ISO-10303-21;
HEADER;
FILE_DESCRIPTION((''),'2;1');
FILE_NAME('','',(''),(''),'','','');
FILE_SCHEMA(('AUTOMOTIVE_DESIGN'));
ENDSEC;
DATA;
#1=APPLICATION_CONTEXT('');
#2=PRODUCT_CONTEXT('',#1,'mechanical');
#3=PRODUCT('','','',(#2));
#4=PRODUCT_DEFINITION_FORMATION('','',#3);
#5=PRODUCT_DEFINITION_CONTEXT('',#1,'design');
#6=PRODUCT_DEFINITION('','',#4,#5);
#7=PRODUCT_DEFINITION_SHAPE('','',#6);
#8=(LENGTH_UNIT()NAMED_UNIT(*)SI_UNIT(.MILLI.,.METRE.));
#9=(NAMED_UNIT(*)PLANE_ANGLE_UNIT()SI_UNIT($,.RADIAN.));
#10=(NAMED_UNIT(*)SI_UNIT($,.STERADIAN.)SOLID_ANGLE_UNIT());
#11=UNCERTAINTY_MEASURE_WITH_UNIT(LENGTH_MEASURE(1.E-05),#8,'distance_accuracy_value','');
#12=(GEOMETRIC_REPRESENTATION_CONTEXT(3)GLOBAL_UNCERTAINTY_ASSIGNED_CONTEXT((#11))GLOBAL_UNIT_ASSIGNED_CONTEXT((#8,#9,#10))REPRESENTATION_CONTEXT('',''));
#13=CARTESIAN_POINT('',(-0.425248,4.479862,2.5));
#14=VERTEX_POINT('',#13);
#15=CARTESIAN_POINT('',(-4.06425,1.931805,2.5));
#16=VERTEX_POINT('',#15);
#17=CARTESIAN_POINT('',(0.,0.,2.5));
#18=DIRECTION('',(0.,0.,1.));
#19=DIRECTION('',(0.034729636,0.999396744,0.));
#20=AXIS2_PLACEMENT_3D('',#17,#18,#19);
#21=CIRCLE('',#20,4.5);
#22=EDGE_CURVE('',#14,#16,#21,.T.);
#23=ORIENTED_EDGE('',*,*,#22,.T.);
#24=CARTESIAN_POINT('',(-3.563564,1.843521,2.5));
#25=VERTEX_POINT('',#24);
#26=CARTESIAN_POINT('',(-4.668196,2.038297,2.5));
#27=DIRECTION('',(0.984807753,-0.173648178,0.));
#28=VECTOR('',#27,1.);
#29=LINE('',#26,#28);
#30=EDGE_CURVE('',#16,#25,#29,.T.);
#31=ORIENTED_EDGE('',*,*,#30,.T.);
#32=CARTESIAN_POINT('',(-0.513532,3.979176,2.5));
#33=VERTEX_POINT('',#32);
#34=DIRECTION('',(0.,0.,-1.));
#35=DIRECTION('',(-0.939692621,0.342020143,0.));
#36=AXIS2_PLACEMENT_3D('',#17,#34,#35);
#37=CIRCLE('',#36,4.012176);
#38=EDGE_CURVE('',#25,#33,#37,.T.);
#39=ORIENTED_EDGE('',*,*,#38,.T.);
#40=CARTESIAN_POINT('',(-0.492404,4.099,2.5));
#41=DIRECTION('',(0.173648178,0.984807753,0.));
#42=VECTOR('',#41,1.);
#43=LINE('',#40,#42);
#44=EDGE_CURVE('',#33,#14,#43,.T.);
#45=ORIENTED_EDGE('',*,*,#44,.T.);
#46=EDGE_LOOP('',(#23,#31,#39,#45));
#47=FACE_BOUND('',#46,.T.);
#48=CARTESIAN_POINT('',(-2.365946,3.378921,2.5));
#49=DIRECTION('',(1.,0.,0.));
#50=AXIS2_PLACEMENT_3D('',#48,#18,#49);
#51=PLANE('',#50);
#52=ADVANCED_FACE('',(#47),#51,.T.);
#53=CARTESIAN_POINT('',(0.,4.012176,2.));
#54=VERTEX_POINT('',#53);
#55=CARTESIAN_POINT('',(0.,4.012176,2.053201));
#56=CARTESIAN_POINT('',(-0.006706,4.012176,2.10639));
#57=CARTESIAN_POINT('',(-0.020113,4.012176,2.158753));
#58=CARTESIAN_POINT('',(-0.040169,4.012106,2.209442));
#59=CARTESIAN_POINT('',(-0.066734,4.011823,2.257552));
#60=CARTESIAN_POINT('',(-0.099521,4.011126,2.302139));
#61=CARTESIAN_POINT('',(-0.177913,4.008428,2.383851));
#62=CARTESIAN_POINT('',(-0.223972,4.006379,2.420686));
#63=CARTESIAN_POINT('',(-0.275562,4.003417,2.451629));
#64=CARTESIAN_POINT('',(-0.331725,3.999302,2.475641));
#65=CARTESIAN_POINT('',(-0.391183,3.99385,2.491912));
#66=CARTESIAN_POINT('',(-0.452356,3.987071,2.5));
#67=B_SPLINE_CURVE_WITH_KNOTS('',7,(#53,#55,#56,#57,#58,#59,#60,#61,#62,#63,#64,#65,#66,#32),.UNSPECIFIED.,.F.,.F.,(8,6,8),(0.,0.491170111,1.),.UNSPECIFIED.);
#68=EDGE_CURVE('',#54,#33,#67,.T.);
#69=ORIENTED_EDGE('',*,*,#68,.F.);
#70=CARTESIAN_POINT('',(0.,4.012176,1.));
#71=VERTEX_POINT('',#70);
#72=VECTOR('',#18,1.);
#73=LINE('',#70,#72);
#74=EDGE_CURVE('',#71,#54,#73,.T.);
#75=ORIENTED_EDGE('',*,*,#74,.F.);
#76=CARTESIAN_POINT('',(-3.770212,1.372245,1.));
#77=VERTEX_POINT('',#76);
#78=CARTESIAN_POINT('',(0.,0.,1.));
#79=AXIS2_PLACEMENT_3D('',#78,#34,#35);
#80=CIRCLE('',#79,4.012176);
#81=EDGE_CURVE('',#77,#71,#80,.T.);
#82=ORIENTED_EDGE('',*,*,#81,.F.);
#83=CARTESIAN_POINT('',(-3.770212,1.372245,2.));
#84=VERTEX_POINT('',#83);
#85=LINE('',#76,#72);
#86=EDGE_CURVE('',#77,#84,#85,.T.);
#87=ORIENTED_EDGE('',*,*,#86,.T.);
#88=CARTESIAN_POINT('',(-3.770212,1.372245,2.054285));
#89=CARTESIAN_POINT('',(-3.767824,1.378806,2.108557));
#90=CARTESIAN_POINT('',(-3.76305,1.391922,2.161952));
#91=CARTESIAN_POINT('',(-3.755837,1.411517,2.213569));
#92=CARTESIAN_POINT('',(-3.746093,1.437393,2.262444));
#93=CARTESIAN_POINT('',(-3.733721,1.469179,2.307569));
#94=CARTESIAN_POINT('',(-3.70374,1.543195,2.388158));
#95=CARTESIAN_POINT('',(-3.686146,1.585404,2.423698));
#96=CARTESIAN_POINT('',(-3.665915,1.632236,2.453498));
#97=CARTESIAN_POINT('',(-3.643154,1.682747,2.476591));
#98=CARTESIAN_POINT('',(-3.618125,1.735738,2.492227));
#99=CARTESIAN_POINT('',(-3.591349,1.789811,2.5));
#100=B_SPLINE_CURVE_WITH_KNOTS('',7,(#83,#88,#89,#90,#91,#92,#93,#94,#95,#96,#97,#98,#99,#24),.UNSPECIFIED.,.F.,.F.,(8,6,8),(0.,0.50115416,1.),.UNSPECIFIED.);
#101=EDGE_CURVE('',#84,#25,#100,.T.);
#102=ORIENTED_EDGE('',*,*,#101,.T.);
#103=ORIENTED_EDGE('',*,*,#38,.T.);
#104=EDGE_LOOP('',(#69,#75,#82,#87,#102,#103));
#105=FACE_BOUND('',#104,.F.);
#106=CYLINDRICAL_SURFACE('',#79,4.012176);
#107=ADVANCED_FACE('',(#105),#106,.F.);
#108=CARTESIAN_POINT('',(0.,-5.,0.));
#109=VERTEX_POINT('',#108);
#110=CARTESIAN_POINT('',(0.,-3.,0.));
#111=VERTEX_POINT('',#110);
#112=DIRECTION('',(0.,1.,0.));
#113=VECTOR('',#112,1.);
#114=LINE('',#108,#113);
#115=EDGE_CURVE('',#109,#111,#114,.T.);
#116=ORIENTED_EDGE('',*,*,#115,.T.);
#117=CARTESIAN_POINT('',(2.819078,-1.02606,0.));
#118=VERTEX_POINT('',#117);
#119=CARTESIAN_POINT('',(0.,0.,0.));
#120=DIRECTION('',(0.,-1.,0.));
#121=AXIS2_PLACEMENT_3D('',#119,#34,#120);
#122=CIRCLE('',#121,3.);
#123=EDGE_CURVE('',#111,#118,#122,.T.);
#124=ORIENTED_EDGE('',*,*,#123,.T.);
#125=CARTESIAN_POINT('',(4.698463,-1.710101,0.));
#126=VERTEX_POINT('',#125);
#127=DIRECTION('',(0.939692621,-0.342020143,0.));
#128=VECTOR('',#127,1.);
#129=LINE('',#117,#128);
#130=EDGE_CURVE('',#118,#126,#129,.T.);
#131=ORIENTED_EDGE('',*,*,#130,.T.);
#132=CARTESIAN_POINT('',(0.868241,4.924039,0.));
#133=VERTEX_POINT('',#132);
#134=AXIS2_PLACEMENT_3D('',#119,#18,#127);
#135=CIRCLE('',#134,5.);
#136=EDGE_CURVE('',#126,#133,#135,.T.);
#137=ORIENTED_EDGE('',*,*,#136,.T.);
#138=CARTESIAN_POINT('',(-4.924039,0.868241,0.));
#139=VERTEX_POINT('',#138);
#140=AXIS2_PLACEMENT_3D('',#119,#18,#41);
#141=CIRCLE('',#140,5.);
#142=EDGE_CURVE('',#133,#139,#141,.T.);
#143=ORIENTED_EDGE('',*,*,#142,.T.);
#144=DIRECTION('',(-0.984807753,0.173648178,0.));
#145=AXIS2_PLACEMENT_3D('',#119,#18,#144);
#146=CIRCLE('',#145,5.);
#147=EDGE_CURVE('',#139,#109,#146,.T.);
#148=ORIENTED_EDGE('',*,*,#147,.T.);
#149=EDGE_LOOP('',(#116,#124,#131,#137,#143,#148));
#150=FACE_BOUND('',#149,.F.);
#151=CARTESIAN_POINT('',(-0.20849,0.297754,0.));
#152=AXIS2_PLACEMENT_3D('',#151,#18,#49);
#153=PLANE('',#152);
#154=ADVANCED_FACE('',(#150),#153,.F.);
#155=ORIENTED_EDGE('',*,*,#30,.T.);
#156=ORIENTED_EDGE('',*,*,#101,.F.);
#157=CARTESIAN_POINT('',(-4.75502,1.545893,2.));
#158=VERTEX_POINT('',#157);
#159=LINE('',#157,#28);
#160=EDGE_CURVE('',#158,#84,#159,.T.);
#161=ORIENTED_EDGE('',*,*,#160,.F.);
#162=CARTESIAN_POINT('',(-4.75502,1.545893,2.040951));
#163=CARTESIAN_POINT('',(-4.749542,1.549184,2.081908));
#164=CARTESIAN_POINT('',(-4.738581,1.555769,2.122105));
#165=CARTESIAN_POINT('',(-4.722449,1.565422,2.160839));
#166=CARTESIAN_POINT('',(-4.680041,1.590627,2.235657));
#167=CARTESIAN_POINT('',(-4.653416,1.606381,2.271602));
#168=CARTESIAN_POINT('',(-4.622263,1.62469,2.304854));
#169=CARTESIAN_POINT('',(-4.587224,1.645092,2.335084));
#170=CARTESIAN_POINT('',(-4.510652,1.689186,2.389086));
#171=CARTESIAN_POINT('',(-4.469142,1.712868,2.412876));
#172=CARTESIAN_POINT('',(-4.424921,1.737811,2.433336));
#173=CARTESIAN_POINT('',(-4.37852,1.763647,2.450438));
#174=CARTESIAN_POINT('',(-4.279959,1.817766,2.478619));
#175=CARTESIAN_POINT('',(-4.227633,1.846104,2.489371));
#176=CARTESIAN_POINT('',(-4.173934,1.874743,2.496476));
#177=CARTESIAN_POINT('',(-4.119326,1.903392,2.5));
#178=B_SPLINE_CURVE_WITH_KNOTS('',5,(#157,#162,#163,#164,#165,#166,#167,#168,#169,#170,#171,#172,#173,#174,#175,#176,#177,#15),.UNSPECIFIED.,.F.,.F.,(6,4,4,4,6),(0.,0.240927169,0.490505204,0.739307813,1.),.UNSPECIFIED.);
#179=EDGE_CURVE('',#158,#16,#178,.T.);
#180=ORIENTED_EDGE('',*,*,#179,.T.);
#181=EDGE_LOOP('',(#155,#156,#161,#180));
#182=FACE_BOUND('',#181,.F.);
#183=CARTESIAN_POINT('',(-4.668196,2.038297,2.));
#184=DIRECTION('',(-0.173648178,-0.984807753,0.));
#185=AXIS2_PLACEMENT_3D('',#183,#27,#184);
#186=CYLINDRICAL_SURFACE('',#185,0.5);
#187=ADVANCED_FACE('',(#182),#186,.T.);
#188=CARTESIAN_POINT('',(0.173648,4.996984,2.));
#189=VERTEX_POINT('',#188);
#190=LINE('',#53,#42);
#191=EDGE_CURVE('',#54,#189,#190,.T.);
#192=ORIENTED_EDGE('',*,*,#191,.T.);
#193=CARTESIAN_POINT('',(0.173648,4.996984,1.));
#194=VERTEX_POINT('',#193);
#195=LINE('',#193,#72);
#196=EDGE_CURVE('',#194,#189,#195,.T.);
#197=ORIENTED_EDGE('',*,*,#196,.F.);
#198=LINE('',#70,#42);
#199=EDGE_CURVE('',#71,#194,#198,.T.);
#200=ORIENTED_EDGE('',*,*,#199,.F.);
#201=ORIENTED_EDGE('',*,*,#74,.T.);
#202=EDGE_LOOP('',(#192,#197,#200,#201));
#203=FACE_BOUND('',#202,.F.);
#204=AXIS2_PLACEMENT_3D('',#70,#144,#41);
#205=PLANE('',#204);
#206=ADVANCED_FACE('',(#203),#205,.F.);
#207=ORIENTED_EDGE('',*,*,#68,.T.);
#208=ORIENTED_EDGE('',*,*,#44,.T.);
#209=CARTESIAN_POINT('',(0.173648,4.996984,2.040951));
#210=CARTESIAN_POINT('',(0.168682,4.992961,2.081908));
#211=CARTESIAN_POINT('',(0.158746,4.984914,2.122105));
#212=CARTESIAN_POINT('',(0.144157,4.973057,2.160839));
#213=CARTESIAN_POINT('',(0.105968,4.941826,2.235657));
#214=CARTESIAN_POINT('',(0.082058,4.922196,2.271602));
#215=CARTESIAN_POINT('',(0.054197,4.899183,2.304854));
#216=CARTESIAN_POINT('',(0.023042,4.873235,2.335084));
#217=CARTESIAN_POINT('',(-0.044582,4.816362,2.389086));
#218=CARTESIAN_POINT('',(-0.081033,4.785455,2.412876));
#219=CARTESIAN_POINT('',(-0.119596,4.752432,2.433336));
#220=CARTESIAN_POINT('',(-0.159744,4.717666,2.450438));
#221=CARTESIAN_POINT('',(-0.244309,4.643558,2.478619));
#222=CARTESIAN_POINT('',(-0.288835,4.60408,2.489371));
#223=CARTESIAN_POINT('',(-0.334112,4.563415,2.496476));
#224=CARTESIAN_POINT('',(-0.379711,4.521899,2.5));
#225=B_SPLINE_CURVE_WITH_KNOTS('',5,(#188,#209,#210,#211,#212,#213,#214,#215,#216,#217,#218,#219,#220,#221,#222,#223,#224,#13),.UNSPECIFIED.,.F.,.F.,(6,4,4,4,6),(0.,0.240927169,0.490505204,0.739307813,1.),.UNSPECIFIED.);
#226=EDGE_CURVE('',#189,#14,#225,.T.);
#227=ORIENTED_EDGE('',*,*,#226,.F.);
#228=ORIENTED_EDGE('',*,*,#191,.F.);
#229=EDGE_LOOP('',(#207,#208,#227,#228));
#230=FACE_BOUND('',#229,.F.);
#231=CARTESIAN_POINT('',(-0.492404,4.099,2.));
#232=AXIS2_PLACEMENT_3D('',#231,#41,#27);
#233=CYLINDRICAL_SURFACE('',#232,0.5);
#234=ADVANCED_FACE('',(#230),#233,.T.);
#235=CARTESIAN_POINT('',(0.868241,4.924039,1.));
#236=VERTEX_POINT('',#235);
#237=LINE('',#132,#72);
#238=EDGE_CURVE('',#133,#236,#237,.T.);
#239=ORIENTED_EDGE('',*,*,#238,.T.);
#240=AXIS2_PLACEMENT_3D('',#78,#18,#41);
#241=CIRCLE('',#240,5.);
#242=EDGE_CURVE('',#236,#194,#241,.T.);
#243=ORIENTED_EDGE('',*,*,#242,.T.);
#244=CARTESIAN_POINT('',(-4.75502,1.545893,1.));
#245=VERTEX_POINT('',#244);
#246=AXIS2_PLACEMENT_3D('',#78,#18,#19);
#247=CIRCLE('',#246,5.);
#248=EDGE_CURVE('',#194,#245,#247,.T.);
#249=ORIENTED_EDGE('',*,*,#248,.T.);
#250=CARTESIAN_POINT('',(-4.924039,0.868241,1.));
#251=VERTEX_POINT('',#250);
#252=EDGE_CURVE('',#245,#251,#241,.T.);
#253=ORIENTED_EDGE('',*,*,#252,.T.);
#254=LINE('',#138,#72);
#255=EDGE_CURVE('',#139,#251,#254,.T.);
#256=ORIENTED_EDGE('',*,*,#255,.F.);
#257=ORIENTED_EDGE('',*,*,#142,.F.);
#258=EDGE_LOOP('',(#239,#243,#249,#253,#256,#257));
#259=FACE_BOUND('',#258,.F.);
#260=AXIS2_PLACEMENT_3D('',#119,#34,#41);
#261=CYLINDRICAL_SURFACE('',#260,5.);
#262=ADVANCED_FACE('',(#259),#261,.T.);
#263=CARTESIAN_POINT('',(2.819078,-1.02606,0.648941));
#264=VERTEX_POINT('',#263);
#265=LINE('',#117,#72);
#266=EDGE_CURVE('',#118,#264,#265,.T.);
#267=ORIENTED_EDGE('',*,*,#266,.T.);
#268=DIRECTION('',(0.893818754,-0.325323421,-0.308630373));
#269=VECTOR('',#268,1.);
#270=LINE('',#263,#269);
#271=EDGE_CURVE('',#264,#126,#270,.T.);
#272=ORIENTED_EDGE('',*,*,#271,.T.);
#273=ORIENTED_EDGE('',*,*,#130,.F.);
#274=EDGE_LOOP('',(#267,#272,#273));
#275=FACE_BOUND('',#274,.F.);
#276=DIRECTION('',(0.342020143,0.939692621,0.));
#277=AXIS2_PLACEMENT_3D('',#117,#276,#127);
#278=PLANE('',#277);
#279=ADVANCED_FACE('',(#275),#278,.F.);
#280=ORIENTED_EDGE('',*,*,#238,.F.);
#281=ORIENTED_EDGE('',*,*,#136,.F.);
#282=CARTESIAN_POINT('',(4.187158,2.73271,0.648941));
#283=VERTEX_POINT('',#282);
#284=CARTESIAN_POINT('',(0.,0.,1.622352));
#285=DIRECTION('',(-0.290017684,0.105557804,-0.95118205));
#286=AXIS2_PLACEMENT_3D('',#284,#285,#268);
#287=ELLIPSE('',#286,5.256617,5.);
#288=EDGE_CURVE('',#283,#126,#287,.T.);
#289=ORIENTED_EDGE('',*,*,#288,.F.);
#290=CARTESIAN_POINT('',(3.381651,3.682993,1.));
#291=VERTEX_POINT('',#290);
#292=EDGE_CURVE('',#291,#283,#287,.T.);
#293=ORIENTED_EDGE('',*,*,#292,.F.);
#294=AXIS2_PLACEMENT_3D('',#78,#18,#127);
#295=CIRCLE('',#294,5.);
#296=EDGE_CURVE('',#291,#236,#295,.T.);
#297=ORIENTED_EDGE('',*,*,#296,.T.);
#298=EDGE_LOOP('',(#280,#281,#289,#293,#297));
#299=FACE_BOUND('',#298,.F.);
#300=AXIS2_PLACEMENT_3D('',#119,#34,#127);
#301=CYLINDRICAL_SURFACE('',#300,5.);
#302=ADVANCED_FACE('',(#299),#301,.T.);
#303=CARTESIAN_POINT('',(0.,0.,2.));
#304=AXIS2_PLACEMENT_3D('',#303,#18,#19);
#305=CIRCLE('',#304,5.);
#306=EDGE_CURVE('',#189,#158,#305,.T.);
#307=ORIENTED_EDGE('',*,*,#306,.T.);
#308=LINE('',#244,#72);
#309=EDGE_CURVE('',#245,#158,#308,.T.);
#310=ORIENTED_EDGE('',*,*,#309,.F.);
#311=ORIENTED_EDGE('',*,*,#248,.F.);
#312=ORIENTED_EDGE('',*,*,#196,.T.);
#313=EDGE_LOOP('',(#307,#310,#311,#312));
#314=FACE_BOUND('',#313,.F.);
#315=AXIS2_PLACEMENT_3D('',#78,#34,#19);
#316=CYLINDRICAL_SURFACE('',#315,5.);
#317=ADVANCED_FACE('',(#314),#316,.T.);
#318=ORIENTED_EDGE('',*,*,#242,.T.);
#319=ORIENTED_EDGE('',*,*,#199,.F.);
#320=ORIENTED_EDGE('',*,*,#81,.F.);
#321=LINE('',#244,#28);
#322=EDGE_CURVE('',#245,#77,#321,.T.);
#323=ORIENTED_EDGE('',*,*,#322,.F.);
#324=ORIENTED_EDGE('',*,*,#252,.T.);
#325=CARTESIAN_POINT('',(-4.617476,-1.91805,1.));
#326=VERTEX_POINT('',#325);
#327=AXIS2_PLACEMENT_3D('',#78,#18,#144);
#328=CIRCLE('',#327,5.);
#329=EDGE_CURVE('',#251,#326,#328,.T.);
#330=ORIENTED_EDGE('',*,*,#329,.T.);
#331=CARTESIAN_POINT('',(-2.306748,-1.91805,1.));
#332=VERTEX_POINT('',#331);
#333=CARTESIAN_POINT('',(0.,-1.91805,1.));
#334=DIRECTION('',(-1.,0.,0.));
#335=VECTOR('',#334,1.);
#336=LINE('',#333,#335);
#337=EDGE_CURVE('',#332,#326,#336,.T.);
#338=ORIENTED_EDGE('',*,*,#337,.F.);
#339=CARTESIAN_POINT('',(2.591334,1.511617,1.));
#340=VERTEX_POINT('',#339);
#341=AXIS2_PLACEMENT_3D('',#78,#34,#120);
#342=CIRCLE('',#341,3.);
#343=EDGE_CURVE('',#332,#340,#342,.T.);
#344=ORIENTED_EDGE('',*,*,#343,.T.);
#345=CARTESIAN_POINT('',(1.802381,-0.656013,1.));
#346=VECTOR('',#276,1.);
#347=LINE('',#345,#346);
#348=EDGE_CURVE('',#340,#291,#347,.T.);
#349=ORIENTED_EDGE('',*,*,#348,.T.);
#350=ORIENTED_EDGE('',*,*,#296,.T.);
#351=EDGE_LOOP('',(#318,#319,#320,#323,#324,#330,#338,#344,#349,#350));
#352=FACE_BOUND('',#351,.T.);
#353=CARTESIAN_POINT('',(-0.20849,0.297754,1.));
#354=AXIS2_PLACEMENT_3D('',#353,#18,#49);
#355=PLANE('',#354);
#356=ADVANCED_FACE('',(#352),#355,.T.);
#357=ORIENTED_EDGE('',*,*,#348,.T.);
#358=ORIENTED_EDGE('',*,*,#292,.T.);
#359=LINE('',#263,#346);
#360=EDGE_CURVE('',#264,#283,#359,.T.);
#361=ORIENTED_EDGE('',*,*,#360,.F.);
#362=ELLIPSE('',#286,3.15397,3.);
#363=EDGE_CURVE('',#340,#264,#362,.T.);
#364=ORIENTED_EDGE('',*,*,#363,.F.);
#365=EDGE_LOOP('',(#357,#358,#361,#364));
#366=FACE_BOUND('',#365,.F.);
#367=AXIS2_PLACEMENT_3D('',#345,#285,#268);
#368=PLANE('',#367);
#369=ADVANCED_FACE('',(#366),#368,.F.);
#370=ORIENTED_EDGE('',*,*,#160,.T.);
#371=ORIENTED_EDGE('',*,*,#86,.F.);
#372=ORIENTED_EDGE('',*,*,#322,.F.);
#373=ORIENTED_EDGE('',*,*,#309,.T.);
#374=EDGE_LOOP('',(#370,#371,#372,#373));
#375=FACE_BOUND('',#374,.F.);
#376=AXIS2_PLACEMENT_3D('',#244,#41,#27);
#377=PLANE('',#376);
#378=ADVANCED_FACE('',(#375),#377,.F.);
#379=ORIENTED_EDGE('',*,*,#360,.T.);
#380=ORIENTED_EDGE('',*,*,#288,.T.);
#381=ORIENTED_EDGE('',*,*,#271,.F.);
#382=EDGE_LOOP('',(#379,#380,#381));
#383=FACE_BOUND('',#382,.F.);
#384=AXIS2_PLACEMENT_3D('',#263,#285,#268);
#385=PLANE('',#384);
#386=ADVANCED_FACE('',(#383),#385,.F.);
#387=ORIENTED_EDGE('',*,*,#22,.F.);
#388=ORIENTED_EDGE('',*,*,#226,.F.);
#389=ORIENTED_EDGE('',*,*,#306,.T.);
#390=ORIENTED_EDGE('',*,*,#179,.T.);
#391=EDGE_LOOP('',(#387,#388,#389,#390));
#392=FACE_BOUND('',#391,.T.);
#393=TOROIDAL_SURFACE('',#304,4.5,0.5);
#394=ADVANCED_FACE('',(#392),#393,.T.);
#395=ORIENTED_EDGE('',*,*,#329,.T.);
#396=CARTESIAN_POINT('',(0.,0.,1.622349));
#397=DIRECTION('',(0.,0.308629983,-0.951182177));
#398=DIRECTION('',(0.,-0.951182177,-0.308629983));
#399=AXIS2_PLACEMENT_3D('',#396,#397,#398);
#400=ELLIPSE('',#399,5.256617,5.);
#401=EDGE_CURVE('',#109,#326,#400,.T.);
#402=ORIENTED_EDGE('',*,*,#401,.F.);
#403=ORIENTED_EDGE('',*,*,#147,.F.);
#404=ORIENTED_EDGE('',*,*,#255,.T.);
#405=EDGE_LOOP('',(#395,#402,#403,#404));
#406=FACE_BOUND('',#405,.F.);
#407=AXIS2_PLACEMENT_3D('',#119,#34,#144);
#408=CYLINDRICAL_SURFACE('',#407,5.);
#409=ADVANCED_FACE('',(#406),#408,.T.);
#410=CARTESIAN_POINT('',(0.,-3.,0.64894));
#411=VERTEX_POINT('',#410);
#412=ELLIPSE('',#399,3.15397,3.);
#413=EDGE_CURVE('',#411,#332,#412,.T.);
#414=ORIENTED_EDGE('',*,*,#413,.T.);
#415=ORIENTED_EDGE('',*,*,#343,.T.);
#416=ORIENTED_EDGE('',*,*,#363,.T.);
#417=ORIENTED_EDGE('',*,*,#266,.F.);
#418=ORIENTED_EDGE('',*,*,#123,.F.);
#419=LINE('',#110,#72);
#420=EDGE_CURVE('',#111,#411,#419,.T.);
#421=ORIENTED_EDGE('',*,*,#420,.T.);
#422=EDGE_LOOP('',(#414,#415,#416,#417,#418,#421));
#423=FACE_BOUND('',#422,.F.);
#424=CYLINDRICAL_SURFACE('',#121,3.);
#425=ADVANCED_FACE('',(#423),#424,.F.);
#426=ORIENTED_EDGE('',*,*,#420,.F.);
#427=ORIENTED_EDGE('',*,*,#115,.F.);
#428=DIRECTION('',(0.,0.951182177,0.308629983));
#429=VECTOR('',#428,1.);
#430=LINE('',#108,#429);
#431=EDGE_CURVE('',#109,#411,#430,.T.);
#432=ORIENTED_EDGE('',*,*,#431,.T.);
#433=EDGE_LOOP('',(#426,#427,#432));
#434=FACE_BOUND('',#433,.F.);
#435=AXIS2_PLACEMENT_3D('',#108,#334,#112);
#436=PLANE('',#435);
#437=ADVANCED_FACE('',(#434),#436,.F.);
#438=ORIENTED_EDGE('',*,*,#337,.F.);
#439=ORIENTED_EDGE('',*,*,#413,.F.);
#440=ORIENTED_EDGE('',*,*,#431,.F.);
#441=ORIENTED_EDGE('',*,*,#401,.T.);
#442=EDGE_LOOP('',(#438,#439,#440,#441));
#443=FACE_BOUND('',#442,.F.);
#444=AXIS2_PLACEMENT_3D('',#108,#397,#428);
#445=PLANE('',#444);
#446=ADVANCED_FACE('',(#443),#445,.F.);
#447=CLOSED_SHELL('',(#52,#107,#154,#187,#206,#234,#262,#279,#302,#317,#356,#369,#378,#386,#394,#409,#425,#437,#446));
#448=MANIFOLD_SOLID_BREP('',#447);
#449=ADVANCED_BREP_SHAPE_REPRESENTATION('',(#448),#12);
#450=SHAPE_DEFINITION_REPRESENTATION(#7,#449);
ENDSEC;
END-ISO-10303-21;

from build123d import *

# Parameters (mm, degrees)
F1_DEPTH = 1
F3_DEPTH = 25
F5_DEPTH = 25
F7_DEPTH = 1.5
F8_R     = 0.5


with BuildPart() as f1:
    # F0 (on Top) → F1 (new body)
    with BuildSketch(Plane.XY):
        with BuildLine():
            ThreePointArc((0, -3), (-1.7207293091, 2.4574561329), (2.8190778624, -1.02606043))
            Line((2.8190778624, -1.02606043), (4.6984631039, -1.7101007166))
            ThreePointArc((4.6984631039, -1.7101007166), (4.3301270189, 2.5), (0.8682408883, 4.9240387651))
            Line((0.8682408883, 4.9240387651), (0.6945927107, 3.939231012))
            ThreePointArc((0.6945927107, 3.939231012), (-2.2943057454, 3.2766081772), (-3.939231012, 0.6945927107))
            Line((-3.939231012, 0.6945927107), (-4.9240387651, 0.8682408883))
            ThreePointArc((-4.9240387651, 0.8682408883), (-3.8302222156, -3.2139380484), (0, -5))
            Line((0, -5), (0, -3))
        make_face()
        with BuildLine():
            Line((0.6945927107, 3.939231012), (0.8682408883, 4.9240387651))
            ThreePointArc((0.8682408883, 4.9240387651), (-2.8678821818, 4.0957602214), (-4.9240387651, 0.8682408883))
            Line((-4.9240387651, 0.8682408883), (-3.939231012, 0.6945927107))
            ThreePointArc((-3.939231012, 0.6945927107), (-2.2943057454, 3.2766081772), (0.6945927107, 3.939231012))
        make_face()
    extrude(amount=F1_DEPTH)

    # F2 (on face) → F3 (cut)
    with BuildSketch(Plane(origin=(0, 0, 0), x_dir=(0.9396926208, -0.3420201433, 0), z_dir=(-0.3420201433, -0.9396926208, 0))):
        Polygon((3, 0.6489407005), (5, 0), (5, 1), (3, 1), align=None)
        Polygon((1.9180543022, 1), (3, 0.6489407005), (3, 1), align=None)
    extrude(amount=-F3_DEPTH, mode=Mode.SUBTRACT)

    # F4 (on face) → F5 (cut)
    with BuildSketch(Plane.YZ):
        Polygon((-5, 1), (-5, 0), (-1.91805, 1), align=None)
    extrude(amount=-F5_DEPTH, mode=Mode.SUBTRACT)

    # F6 (on face) → F7 (join)
    with BuildSketch(Plane.XY.offset(1)):
        with BuildLine():
            ThreePointArc((-3.7702121506, 1.3722449997), (-2.3012895939, 3.2865821464), (0, 4.0121759682))
            Line((0, 4.0121759682), (0.1736481777, 4.9969837212))
            ThreePointArc((0.1736481777, 4.9969837212), (-2.8678821818, 4.0957602214), (-4.7550199037, 1.5458931774))
            Line((-4.7550199037, 1.5458931774), (-3.7702121506, 1.3722449997))
        make_face()
    extrude(amount=F7_DEPTH)

    # F8
    f8_edges = [f1.edges().sort_by_distance(p)[0] for p in [
        (-4.262616, 1.459069, 2.5),
        (0.086824, 4.50458, 2.5),
        (-2.867882, 4.09576, 2.5),
    ]]
    fillet(f8_edges, radius=F8_R)


solid = f1.part
